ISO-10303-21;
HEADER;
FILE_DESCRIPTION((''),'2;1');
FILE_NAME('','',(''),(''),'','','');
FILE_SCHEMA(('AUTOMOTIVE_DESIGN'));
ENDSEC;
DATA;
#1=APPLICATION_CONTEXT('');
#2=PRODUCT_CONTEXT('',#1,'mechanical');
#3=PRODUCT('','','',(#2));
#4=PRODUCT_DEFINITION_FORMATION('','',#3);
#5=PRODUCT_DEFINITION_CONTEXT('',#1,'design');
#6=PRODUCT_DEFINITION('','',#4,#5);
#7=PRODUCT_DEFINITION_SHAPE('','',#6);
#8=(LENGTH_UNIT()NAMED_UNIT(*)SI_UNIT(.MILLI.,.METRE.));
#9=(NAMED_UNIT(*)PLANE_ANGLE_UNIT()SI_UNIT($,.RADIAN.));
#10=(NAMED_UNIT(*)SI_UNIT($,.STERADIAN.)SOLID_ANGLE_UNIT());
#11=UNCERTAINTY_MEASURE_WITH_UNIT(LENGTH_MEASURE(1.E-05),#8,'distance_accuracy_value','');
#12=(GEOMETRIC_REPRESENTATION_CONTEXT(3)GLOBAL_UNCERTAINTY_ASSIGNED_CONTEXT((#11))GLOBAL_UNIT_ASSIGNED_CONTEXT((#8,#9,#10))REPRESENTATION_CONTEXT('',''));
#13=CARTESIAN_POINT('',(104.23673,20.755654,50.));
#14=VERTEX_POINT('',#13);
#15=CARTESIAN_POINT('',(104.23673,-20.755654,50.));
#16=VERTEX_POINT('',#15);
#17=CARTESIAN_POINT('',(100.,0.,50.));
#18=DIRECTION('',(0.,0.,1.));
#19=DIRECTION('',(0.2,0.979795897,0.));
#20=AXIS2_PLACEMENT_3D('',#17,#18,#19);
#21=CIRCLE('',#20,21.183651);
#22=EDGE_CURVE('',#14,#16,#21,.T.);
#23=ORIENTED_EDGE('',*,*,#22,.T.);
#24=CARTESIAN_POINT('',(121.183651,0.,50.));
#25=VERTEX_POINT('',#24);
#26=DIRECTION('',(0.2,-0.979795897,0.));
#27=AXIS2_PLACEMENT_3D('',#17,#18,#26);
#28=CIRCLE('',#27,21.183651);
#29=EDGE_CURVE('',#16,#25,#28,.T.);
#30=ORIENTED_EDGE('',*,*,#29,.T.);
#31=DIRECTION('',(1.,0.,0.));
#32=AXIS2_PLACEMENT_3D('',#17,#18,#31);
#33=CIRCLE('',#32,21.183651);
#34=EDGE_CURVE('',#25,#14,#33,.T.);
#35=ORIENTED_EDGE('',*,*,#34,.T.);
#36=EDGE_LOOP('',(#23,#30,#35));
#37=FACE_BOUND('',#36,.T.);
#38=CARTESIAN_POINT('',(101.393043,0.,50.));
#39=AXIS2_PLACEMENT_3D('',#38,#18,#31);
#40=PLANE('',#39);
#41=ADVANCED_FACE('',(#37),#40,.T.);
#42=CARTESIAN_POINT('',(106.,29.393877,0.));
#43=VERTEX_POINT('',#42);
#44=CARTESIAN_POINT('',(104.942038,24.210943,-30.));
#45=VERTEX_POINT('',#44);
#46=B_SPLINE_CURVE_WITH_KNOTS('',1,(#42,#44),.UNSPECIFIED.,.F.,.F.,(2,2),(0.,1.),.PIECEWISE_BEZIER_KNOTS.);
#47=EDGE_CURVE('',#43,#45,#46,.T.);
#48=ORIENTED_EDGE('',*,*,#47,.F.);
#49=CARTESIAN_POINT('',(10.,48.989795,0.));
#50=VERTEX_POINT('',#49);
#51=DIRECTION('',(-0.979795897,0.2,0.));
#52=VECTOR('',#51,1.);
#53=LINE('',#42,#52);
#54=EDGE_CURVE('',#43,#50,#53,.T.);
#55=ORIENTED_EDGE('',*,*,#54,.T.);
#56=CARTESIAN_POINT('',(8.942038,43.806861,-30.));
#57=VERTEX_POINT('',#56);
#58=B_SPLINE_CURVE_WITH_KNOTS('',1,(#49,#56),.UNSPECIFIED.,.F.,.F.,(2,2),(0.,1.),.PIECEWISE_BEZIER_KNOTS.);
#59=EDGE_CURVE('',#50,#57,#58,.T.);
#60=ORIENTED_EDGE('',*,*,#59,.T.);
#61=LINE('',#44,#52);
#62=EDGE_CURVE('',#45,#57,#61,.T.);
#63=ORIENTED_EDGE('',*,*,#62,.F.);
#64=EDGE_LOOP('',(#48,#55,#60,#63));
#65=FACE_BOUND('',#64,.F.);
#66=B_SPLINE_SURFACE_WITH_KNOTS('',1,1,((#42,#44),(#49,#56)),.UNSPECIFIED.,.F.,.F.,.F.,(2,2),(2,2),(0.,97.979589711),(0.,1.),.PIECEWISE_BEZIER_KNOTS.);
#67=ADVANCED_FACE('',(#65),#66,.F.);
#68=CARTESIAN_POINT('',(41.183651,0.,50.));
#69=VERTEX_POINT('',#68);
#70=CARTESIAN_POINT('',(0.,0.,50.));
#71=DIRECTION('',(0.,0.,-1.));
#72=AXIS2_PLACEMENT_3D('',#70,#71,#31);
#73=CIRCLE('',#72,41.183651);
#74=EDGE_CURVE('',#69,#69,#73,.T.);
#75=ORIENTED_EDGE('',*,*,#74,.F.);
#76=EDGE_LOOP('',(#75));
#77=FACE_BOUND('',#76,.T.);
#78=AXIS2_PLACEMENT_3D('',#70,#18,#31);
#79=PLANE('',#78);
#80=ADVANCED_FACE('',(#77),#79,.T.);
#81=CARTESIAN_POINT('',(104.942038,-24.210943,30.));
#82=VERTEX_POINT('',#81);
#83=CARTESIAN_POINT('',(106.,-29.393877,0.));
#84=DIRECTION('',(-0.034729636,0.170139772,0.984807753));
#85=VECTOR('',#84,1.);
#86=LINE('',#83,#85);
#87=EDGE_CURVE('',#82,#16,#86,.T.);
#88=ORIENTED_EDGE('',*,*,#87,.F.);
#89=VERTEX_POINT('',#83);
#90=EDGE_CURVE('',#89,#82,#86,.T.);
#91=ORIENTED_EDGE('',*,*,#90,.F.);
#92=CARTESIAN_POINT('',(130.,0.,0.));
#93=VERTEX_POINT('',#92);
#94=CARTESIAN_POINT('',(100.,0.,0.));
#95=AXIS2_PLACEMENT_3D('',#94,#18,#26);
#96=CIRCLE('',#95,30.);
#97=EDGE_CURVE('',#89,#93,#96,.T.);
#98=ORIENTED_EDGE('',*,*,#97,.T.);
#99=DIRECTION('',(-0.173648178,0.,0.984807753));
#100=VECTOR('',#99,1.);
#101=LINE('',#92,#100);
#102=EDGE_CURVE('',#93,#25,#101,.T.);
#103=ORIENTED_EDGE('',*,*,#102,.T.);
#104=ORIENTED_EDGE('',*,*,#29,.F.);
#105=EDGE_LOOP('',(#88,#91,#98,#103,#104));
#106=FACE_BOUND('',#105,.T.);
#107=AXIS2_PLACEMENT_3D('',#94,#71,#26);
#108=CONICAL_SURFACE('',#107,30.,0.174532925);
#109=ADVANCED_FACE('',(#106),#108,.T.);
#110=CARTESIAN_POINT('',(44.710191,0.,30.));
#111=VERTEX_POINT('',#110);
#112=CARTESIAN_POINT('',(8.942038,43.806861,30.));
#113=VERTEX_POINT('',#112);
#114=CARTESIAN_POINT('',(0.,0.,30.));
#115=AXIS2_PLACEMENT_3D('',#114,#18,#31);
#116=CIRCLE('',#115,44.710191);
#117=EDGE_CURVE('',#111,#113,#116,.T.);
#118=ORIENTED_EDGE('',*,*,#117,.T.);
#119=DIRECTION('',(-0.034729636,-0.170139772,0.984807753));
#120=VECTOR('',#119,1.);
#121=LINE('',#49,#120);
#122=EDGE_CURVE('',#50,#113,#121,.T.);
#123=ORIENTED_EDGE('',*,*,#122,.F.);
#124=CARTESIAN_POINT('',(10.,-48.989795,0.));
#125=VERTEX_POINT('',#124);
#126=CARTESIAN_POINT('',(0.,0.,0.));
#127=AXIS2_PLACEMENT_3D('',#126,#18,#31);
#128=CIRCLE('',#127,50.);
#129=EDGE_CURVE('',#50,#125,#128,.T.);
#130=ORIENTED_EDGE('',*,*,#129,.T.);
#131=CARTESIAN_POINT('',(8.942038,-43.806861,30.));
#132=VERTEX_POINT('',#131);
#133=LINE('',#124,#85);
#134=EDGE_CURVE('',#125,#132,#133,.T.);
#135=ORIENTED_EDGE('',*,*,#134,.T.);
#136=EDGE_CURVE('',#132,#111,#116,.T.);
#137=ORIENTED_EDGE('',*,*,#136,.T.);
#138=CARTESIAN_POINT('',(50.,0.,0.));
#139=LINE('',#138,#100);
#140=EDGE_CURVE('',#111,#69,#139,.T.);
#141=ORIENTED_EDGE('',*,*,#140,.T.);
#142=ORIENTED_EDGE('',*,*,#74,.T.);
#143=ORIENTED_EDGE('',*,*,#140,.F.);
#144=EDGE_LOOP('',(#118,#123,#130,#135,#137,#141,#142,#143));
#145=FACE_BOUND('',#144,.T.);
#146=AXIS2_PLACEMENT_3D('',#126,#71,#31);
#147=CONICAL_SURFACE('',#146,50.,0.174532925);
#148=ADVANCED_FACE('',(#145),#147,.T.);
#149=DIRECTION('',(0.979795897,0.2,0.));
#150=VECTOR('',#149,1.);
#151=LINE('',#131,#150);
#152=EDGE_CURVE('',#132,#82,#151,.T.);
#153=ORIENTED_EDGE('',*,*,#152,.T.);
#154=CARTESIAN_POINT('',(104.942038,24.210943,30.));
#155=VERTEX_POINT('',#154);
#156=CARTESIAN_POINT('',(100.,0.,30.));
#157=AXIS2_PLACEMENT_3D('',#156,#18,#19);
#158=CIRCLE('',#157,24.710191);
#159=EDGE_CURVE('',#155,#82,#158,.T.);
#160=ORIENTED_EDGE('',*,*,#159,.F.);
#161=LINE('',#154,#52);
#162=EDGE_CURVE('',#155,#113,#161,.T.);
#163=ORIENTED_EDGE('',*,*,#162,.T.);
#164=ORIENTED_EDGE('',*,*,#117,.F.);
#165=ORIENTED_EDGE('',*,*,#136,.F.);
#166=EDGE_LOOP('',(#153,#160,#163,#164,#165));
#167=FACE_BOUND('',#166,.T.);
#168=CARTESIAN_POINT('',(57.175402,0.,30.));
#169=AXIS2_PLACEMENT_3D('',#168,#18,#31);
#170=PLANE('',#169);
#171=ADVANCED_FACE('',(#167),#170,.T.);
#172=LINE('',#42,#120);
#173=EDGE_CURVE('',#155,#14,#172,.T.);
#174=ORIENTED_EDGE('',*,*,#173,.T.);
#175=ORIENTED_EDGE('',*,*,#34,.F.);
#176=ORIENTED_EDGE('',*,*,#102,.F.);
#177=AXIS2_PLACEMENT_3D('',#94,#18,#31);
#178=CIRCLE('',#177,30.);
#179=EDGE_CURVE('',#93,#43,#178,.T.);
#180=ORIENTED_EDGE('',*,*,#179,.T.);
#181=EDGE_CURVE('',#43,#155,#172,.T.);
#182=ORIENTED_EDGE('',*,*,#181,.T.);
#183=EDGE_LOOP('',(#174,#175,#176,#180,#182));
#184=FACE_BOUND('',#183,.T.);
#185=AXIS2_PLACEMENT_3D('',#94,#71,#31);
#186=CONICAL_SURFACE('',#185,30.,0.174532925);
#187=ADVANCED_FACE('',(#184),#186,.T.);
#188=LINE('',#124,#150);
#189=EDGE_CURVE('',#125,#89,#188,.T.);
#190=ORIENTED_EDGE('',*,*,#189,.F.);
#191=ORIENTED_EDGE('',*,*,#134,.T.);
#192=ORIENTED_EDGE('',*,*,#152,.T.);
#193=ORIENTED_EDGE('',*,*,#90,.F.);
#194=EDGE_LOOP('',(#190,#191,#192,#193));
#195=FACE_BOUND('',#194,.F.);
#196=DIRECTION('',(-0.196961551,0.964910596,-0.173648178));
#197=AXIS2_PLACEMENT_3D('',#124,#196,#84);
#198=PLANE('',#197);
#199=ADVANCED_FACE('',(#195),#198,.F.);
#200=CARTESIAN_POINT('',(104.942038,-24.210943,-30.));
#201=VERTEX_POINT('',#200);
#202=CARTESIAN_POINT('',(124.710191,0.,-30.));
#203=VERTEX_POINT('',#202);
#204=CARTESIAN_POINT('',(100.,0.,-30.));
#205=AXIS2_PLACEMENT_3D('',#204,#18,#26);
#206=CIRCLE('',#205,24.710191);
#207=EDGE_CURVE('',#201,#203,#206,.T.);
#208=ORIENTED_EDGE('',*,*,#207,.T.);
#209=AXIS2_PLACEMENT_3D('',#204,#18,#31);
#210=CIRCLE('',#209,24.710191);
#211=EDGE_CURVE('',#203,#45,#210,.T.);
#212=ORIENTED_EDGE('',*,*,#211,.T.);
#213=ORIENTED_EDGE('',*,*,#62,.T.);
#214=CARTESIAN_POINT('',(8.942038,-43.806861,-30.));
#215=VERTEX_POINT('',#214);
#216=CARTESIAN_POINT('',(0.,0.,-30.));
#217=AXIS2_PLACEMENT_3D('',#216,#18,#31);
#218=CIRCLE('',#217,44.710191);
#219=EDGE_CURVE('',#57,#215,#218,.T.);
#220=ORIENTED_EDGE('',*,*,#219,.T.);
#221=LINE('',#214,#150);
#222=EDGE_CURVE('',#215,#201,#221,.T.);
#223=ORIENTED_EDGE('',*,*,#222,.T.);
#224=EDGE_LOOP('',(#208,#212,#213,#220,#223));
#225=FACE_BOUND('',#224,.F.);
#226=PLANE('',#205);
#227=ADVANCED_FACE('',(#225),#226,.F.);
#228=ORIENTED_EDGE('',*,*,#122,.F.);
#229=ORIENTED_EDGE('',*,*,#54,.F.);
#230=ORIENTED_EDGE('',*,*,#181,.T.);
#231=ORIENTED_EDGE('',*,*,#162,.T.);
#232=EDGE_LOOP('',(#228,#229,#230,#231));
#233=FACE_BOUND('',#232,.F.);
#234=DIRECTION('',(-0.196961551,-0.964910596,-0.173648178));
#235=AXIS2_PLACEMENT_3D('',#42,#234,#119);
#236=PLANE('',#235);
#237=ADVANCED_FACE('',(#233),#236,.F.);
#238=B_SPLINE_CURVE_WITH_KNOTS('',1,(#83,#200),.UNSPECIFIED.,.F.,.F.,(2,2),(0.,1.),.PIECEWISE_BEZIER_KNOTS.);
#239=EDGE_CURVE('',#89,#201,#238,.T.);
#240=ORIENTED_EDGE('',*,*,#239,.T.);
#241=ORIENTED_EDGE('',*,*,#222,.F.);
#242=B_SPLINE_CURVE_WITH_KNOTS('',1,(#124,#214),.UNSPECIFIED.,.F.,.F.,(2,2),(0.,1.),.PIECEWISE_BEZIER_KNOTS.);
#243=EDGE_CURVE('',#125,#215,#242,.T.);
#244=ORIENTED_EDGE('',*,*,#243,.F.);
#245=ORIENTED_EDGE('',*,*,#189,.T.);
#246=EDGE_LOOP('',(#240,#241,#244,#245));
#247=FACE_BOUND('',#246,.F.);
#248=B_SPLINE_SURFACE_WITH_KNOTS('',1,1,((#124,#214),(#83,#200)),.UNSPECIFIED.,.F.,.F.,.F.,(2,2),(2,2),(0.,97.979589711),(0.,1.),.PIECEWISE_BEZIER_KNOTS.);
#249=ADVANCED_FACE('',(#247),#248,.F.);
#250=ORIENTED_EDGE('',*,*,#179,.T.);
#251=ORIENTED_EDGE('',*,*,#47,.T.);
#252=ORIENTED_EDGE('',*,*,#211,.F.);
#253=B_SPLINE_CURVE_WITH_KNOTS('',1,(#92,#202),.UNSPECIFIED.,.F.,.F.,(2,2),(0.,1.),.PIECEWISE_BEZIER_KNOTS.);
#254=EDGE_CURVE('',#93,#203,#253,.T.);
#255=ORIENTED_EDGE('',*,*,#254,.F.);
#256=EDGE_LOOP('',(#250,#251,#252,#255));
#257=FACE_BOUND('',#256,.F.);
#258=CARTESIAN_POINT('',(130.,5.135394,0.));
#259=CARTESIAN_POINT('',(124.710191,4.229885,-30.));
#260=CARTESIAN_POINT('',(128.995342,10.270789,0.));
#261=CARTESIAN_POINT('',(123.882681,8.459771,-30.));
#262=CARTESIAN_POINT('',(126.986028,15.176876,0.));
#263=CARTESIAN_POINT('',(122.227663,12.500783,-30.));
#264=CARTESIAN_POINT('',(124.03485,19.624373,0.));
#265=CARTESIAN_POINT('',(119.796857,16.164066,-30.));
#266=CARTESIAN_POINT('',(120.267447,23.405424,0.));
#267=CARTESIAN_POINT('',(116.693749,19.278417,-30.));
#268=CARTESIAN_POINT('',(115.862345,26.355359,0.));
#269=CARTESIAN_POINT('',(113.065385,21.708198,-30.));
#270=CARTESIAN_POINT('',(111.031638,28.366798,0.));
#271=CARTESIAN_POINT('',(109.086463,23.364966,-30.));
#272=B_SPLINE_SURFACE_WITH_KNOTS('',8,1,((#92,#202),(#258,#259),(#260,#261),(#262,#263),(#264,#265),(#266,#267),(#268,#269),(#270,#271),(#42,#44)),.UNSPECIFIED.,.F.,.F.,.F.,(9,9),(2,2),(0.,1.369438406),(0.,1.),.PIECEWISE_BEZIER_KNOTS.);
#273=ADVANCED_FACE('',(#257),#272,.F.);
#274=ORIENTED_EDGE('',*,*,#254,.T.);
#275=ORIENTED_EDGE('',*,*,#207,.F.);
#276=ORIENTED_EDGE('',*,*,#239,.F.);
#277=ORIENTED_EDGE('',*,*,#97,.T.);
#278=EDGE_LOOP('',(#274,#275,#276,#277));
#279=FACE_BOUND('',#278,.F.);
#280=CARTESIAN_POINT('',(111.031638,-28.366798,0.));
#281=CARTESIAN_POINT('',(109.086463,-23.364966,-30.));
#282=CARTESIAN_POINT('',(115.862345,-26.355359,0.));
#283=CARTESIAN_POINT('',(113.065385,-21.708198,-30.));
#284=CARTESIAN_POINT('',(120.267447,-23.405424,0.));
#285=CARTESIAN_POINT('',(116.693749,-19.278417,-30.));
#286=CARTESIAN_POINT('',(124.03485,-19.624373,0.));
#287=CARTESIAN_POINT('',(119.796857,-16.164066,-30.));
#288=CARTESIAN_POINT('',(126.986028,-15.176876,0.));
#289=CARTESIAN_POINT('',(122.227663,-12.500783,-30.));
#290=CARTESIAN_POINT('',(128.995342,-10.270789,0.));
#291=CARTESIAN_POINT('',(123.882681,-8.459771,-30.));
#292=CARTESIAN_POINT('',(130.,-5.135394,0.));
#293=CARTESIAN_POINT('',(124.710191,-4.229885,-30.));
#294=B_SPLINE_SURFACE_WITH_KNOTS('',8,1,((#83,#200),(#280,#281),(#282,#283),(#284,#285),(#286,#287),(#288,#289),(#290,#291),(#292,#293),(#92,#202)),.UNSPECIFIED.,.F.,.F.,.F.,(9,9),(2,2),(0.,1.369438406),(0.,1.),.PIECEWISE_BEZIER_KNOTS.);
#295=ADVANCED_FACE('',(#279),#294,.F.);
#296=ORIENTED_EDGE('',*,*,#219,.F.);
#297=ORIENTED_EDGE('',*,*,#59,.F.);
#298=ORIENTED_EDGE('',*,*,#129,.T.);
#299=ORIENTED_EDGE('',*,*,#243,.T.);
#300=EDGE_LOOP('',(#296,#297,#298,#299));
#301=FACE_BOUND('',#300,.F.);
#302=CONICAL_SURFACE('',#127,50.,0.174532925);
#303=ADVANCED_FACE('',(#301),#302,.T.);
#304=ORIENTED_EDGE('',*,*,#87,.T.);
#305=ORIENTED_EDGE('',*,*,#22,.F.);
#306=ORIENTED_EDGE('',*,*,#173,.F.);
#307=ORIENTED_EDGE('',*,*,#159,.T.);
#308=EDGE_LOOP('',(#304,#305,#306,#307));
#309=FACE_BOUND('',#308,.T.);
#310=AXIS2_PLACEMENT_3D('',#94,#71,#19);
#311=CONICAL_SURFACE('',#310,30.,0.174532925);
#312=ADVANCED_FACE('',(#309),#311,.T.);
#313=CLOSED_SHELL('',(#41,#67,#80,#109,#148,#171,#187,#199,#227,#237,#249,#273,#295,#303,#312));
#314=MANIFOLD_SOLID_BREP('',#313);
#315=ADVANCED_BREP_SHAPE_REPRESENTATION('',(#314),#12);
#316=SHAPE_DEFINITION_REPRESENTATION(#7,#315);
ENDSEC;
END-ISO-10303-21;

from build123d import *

# Parameters (mm, degrees)
F1_DEPTH = 50
F1_TAPER = 10
F2_DEPTH = 30
F2_TAPER = 10


with BuildPart() as f1:
    # F0 (on Top) → F1 (new body)
    with BuildSketch(Plane.XY):
        with BuildLine():
            ThreePointArc((10, -48.9897948557), (38.7298334621, -31.6227766017), (50, 0))
            ThreePointArc((50, 0), (38.7298334621, 31.6227766017), (10, 48.9897948557))
            ThreePointArc((10, 48.9897948557), (-50, 0), (10, -48.9897948557))
        make_face()
    extrude(amount=F1_DEPTH, taper=F1_TAPER)



with BuildPart() as f1b:
    # F0 (on Top) → F1, piece 2 (new body)
    with BuildSketch(Plane.XY):
        with BuildLine():
            ThreePointArc((130, 0), (123.2379000772, 18.973665961), (106, 29.3938769134))
            ThreePointArc((106, 29.3938769134), (70, 0), (106, -29.3938769134))
            ThreePointArc((106, -29.3938769134), (123.2379000772, -18.973665961), (130, 0))
        make_face()
    extrude(amount=F1_DEPTH, taper=F1_TAPER)


with BuildPart() as f1_1:
    add(f1.part)

    add(f1b.part)  # F2 merges F1b
    # F0 (on Top) → F2 (join, symmetric)
    with BuildSketch(Plane.XY):
        with BuildLine():
            ThreePointArc((10, 48.9897948557), (38.7298334621, 31.6227766017), (50, 0))
            ThreePointArc((50, 0), (38.7298334621, -31.6227766017), (10, -48.9897948557))
            Line((10, -48.9897948557), (106, -29.3938769134))
            ThreePointArc((106, -29.3938769134), (70, 0), (106, 29.3938769134))
            Line((106, 29.3938769134), (10, 48.9897948557))
        make_face()
        with BuildLine():
            ThreePointArc((10, -48.9897948557), (38.7298334621, -31.6227766017), (50, 0))
            ThreePointArc((50, 0), (38.7298334621, 31.6227766017), (10, 48.9897948557))
            ThreePointArc((10, 48.9897948557), (-50, 0), (10, -48.9897948557))
        make_face()
        with BuildLine():
            ThreePointArc((130, 0), (123.2379000772, 18.973665961), (106, 29.3938769134))
            ThreePointArc((106, 29.3938769134), (70, 0), (106, -29.3938769134))
            ThreePointArc((106, -29.3938769134), (123.2379000772, -18.973665961), (130, 0))
        make_face()
    extrude(amount=F2_DEPTH, both=True, taper=F2_TAPER)


solid = f1_1.part
